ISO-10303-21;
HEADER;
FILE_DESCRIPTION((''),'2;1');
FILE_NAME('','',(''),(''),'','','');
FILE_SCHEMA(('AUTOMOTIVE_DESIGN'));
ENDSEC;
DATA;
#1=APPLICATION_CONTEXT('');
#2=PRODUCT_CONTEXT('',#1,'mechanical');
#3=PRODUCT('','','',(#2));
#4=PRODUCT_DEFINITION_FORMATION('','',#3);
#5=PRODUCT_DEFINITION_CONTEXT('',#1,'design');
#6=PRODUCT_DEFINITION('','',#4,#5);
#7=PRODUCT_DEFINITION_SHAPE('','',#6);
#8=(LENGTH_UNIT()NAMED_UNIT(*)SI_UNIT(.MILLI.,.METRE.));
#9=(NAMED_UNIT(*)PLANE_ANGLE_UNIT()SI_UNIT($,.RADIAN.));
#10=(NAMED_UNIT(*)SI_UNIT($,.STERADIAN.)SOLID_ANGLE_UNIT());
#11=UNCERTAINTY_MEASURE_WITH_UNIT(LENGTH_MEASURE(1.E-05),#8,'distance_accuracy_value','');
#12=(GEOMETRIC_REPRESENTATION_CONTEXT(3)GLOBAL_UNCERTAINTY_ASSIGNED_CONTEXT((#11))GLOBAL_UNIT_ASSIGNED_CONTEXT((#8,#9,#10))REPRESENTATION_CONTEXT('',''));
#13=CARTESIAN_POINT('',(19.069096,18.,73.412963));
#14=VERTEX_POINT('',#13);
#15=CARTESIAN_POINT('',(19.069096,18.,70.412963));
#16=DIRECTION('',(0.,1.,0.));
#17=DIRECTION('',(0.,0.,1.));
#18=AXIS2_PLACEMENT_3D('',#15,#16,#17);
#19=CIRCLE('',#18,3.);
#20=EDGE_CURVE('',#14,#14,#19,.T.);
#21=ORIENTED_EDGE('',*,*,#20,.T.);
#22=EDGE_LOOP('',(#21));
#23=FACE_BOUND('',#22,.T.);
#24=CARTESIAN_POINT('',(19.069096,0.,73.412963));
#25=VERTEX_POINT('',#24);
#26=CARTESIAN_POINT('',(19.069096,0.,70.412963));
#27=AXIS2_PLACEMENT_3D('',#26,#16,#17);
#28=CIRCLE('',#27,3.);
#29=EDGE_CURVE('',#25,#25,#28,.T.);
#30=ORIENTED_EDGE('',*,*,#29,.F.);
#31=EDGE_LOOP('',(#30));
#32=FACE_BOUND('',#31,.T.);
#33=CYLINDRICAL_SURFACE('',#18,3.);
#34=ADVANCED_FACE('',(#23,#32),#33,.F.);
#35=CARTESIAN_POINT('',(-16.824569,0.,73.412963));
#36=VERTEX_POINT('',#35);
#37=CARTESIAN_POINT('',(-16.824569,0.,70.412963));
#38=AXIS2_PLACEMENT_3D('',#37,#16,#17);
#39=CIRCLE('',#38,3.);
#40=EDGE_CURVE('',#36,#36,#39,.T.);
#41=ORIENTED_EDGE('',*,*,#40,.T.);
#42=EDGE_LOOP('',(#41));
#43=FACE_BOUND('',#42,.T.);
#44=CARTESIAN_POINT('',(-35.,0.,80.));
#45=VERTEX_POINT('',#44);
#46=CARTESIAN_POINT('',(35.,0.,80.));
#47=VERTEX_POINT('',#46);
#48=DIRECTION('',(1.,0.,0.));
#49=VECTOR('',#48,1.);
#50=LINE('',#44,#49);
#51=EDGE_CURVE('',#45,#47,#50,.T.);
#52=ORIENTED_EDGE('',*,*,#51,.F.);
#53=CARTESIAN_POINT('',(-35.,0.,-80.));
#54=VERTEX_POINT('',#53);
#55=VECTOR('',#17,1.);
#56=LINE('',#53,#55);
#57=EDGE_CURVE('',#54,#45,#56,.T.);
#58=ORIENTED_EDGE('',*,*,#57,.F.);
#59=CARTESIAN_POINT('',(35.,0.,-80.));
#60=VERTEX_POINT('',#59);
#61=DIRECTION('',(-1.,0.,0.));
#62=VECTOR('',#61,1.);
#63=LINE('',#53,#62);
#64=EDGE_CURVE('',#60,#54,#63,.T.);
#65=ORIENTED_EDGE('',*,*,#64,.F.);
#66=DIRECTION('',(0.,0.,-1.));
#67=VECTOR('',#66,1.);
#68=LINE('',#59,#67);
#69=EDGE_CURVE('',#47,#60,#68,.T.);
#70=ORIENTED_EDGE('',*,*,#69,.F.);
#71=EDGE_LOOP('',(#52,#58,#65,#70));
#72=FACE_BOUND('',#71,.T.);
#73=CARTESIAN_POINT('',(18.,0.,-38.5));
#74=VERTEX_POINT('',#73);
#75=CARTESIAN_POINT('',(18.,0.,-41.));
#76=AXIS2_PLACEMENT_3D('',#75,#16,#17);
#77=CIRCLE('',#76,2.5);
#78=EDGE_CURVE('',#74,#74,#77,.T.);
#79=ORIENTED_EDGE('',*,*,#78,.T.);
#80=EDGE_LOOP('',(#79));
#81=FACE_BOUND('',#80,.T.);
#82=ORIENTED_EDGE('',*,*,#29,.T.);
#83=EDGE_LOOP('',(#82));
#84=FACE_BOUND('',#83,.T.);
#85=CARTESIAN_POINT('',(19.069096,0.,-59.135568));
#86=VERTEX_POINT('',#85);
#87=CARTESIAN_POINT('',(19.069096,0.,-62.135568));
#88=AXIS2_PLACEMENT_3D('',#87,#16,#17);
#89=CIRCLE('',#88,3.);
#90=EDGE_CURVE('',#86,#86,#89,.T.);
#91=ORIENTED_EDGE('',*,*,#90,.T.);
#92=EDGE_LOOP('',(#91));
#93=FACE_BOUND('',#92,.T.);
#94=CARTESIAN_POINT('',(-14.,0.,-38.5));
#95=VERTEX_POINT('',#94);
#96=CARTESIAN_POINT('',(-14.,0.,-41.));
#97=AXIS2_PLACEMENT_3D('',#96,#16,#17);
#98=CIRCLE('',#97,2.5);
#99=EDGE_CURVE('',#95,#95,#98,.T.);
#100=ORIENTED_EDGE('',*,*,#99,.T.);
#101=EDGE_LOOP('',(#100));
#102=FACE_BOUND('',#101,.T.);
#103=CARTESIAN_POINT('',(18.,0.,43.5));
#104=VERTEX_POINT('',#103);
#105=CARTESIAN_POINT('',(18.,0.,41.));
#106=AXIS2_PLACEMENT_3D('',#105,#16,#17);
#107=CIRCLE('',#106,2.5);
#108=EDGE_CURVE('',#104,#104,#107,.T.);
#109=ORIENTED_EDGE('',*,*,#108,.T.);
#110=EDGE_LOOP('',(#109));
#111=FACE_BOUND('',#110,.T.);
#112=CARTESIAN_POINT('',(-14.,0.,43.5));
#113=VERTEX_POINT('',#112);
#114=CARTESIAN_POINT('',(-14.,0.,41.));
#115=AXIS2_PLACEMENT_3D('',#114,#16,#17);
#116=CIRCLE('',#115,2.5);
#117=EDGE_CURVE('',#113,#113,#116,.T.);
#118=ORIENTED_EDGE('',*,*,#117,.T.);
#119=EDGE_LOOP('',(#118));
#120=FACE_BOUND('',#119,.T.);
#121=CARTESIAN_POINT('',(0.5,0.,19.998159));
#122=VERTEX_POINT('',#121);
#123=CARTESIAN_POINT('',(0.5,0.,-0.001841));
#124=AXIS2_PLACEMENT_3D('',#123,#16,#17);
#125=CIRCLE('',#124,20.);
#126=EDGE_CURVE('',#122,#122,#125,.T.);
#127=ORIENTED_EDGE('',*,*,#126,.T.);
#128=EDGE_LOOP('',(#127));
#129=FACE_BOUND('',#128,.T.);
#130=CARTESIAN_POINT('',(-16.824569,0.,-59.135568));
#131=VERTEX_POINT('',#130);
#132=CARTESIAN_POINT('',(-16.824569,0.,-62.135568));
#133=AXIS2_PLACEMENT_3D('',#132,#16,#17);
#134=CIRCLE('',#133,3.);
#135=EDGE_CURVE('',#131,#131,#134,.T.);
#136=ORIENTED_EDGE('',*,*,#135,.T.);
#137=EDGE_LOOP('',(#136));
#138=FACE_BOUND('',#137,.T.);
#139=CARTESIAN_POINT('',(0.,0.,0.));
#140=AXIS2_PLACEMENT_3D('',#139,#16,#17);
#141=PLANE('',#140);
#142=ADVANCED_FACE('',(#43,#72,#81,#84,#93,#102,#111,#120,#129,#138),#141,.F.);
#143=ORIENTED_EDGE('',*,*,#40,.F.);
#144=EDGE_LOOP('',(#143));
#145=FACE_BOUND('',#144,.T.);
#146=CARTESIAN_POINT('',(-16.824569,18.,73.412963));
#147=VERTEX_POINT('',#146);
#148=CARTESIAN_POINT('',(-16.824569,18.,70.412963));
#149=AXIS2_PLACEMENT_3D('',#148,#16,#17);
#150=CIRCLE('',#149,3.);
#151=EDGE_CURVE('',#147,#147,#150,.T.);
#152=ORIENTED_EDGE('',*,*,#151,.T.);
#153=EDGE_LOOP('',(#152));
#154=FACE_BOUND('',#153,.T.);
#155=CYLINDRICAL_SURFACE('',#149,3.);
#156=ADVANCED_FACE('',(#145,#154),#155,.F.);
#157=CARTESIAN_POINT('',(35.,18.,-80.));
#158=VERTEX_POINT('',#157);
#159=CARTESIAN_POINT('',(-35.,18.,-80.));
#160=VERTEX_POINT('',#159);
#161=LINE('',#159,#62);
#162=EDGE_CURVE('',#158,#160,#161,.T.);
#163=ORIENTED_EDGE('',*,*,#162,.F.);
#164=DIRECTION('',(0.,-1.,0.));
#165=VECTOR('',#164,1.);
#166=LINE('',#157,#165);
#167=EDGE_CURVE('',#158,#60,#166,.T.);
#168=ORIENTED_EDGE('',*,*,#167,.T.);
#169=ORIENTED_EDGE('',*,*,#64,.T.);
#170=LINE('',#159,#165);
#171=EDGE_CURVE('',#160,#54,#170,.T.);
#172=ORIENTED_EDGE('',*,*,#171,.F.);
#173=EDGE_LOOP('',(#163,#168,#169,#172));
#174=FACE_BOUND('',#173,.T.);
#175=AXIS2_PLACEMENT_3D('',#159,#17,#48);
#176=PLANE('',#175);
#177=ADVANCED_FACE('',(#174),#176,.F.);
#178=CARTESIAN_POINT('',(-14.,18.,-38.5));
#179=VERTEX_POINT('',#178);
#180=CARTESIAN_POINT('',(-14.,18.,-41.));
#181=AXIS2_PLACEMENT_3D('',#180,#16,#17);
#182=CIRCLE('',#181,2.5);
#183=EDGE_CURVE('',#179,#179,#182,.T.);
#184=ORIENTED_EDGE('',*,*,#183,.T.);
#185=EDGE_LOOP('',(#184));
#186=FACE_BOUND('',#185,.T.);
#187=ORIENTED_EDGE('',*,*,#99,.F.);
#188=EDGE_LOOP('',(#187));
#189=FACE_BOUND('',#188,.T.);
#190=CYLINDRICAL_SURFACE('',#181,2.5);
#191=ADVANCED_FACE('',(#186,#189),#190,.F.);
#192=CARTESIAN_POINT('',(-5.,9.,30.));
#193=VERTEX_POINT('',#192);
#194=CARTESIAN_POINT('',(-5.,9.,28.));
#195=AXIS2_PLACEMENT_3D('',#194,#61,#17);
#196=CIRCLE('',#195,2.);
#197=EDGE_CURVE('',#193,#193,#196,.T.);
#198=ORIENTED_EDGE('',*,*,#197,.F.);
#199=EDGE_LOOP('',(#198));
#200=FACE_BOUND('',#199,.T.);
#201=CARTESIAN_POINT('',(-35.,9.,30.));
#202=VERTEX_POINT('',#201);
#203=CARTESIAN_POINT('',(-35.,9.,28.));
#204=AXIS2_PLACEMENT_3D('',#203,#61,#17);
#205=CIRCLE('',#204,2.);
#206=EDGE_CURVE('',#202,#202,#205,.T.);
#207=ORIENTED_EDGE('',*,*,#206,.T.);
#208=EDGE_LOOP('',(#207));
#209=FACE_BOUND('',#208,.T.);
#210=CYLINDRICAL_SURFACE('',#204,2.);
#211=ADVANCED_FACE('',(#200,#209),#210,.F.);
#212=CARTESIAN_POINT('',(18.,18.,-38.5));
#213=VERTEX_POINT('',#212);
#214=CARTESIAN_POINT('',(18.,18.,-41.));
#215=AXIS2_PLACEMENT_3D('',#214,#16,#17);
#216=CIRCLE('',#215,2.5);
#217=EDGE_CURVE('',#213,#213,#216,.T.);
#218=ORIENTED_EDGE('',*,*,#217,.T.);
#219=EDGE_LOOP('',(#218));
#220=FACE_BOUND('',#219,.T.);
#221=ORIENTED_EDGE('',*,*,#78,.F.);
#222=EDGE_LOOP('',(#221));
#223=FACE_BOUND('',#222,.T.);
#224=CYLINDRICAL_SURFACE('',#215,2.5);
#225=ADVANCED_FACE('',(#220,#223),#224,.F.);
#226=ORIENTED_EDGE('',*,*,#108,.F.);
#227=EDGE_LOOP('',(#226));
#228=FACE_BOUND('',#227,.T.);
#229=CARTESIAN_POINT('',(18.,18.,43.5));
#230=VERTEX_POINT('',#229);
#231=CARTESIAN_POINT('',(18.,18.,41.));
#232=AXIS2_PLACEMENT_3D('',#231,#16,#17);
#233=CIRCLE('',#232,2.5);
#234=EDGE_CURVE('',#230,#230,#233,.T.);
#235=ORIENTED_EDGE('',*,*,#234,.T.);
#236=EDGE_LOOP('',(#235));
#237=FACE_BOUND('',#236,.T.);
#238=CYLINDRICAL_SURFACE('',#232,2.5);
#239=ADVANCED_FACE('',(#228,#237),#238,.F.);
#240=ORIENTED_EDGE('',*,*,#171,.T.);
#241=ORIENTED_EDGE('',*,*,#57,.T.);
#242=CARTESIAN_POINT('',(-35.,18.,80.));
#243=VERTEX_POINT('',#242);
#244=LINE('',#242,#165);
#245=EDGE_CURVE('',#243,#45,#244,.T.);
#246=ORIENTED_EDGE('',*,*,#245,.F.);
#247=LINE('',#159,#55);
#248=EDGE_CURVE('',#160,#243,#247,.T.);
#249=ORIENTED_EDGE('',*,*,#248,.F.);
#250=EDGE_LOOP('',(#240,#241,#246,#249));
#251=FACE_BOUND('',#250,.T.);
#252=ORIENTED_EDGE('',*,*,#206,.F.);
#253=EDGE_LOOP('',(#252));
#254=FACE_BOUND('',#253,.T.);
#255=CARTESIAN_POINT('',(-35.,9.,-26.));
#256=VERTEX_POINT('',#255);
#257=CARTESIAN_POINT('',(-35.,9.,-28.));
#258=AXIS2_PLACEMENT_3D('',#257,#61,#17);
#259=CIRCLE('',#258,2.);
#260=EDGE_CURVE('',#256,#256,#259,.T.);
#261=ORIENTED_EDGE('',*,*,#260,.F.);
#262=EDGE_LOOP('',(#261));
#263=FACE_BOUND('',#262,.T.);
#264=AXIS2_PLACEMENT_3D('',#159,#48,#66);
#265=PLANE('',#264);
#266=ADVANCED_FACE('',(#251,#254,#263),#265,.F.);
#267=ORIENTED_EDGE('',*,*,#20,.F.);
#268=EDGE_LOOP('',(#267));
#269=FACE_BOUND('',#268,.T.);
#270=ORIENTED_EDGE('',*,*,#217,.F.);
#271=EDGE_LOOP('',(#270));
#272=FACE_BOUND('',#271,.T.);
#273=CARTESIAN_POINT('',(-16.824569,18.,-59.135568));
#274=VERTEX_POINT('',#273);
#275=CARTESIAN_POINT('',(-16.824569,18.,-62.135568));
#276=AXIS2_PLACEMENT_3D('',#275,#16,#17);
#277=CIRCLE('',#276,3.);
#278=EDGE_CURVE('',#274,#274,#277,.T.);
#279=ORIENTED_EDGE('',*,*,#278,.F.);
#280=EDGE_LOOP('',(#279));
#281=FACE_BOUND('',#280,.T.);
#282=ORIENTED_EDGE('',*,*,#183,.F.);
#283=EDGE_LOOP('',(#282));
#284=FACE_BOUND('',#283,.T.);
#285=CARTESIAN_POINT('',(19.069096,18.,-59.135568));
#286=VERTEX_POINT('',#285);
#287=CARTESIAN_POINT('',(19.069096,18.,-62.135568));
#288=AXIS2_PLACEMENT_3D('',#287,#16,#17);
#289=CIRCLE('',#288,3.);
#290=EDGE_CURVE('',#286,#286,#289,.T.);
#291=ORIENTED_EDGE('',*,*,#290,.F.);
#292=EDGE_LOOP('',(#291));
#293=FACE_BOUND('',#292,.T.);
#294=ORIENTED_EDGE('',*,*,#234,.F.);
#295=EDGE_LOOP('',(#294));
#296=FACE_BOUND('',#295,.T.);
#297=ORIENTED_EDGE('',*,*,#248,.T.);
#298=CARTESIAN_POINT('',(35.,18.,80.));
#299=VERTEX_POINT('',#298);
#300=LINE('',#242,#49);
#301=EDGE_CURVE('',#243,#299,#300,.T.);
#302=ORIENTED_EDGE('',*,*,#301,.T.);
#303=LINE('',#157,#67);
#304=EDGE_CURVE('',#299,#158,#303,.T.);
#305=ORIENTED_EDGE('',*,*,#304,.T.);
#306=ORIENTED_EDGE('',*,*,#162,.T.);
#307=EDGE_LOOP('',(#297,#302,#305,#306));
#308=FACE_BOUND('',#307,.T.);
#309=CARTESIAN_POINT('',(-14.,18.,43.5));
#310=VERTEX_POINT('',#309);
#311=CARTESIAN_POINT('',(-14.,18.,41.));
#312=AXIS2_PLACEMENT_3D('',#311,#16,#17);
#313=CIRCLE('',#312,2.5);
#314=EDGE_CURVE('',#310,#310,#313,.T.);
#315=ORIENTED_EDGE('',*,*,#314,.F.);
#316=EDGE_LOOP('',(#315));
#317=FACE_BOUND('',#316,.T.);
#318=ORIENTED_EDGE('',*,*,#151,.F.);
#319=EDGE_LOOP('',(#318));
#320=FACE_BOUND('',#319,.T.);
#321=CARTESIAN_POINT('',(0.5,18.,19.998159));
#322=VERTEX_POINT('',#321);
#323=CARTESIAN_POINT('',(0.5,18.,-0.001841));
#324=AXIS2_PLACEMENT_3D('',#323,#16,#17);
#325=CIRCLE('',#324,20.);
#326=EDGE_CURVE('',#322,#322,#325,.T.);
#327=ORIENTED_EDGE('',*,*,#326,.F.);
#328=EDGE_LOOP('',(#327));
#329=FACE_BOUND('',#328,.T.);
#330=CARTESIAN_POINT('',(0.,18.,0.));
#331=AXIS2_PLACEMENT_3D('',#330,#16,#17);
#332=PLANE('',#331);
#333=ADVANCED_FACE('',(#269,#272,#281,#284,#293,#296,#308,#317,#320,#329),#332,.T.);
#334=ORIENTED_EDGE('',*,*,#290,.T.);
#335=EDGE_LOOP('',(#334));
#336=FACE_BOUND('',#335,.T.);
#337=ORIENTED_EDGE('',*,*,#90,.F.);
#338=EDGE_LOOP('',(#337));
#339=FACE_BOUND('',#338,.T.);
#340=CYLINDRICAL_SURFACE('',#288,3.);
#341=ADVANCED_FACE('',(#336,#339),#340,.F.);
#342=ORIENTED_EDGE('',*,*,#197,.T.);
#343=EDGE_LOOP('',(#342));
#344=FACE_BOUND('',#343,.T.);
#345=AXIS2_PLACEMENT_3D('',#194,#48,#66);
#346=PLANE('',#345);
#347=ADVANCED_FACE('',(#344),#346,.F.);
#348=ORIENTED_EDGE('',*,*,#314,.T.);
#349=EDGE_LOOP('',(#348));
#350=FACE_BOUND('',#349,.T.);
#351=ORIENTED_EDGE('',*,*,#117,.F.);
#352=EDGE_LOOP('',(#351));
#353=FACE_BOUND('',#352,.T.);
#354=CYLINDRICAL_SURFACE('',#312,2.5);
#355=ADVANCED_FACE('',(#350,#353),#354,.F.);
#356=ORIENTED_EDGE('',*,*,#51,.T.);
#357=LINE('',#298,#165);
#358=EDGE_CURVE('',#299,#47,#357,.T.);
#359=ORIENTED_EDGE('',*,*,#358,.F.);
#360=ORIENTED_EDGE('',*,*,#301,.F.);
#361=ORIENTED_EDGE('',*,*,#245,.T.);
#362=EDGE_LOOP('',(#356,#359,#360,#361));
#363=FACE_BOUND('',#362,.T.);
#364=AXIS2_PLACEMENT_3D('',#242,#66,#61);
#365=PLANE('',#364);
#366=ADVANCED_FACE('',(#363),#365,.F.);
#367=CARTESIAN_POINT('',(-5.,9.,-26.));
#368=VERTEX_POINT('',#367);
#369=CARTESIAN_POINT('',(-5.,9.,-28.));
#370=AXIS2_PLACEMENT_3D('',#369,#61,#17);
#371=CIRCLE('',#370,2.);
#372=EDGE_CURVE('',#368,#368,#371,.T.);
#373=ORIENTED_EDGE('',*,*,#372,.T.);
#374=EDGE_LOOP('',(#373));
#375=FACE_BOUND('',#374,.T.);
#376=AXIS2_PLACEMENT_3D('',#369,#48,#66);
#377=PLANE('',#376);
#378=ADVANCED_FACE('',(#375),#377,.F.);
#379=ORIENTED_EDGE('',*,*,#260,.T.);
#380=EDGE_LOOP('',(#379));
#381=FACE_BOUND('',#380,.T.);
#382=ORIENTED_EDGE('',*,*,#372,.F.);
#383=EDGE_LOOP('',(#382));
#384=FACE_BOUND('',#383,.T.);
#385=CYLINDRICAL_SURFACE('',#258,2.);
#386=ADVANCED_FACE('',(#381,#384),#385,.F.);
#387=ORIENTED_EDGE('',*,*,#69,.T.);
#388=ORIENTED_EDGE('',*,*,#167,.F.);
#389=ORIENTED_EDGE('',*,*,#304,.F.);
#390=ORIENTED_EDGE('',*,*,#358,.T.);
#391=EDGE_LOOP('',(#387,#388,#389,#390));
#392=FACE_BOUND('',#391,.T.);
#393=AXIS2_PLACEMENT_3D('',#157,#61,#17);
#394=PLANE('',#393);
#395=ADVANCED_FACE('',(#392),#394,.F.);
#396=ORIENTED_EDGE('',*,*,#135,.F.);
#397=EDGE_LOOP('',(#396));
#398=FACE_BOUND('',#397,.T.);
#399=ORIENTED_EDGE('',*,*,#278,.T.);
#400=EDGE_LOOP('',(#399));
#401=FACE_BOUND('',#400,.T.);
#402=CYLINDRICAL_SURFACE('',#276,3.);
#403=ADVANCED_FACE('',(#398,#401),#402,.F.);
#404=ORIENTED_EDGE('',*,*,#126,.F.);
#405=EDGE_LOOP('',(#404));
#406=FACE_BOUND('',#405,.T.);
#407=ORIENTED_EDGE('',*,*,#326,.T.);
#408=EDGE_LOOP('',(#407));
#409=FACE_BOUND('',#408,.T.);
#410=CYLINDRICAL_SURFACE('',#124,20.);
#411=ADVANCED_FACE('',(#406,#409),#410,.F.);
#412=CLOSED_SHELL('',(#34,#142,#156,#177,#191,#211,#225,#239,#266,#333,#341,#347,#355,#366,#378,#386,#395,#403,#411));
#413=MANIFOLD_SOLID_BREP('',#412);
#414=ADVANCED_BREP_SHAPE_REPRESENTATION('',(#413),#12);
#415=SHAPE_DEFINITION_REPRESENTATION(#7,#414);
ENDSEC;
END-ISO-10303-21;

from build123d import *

# Parameters (mm, degrees)
SKETCH1_W                    = 70
SKETCH1_H                    = 160
BOSS_EXTRUDE1_DEPTH          = 18
SKETCH2_R                    = 20
CUT_EXTRUDE1_DEPTH           = 90.157164603
F_6_0_6_DIAMETER_HOLE1_D     = 6
F_4_0_4_DIAMETER_HOLE1_D     = 4
F_4_0_4_DIAMETER_HOLE1_DEPTH = 30
F_5_0_5_DIAMETER_HOLE1_D     = 5


with BuildPart() as part:
    # Sketch1 → Boss-Extrude1 (new body)
    with BuildSketch(Plane(origin=(0, 0, 0), x_dir=(1, 0, 0), z_dir=(0, 1, 0))):
        Rectangle(SKETCH1_W, SKETCH1_H)
    extrude(amount=BOSS_EXTRUDE1_DEPTH)

    # Sketch2 → Cut-Extrude1 (cut, through all)
    with BuildSketch(Plane(origin=(0, 18, 0), x_dir=(1, 0, 0), z_dir=(0, 1, 0))):
        with Locations(Location((0.500000036, 0.001841312, 0), (0, 0, 270))):
            Circle(SKETCH2_R)
    extrude(amount=-CUT_EXTRUDE1_DEPTH, mode=Mode.SUBTRACT)

    # Ø6.0 (6) Diameter Hole1 (through all)
    with Locations(Plane(origin=(0, 18, 0), x_dir=(1, 0, 0), z_dir=(0, 1, 0))):
        with Locations((19.069096126, 62.135567862), (-16.824568918, 62.135567862), (19.069096126, -70.412962857), (-16.824568918, -70.412962857)):
            Hole(F_6_0_6_DIAMETER_HOLE1_D / 2)

    # Ø4.0 (4) Diameter Hole1
    with Locations(Plane.ZY.offset(35)):
        with Locations((28, 9), (-28, 9)):
            Hole(F_4_0_4_DIAMETER_HOLE1_D / 2, depth=F_4_0_4_DIAMETER_HOLE1_DEPTH)

    # Ø5.0 (5) Diameter Hole1 (through all)
    with Locations(Plane(origin=(0, 18, 0), x_dir=(1, 0, 0), z_dir=(0, 1, 0))):
        with Locations((18, 41), (-14, 41), (18, -41), (-14, -41)):
            Hole(F_5_0_5_DIAMETER_HOLE1_D / 2)


solid = part.part
